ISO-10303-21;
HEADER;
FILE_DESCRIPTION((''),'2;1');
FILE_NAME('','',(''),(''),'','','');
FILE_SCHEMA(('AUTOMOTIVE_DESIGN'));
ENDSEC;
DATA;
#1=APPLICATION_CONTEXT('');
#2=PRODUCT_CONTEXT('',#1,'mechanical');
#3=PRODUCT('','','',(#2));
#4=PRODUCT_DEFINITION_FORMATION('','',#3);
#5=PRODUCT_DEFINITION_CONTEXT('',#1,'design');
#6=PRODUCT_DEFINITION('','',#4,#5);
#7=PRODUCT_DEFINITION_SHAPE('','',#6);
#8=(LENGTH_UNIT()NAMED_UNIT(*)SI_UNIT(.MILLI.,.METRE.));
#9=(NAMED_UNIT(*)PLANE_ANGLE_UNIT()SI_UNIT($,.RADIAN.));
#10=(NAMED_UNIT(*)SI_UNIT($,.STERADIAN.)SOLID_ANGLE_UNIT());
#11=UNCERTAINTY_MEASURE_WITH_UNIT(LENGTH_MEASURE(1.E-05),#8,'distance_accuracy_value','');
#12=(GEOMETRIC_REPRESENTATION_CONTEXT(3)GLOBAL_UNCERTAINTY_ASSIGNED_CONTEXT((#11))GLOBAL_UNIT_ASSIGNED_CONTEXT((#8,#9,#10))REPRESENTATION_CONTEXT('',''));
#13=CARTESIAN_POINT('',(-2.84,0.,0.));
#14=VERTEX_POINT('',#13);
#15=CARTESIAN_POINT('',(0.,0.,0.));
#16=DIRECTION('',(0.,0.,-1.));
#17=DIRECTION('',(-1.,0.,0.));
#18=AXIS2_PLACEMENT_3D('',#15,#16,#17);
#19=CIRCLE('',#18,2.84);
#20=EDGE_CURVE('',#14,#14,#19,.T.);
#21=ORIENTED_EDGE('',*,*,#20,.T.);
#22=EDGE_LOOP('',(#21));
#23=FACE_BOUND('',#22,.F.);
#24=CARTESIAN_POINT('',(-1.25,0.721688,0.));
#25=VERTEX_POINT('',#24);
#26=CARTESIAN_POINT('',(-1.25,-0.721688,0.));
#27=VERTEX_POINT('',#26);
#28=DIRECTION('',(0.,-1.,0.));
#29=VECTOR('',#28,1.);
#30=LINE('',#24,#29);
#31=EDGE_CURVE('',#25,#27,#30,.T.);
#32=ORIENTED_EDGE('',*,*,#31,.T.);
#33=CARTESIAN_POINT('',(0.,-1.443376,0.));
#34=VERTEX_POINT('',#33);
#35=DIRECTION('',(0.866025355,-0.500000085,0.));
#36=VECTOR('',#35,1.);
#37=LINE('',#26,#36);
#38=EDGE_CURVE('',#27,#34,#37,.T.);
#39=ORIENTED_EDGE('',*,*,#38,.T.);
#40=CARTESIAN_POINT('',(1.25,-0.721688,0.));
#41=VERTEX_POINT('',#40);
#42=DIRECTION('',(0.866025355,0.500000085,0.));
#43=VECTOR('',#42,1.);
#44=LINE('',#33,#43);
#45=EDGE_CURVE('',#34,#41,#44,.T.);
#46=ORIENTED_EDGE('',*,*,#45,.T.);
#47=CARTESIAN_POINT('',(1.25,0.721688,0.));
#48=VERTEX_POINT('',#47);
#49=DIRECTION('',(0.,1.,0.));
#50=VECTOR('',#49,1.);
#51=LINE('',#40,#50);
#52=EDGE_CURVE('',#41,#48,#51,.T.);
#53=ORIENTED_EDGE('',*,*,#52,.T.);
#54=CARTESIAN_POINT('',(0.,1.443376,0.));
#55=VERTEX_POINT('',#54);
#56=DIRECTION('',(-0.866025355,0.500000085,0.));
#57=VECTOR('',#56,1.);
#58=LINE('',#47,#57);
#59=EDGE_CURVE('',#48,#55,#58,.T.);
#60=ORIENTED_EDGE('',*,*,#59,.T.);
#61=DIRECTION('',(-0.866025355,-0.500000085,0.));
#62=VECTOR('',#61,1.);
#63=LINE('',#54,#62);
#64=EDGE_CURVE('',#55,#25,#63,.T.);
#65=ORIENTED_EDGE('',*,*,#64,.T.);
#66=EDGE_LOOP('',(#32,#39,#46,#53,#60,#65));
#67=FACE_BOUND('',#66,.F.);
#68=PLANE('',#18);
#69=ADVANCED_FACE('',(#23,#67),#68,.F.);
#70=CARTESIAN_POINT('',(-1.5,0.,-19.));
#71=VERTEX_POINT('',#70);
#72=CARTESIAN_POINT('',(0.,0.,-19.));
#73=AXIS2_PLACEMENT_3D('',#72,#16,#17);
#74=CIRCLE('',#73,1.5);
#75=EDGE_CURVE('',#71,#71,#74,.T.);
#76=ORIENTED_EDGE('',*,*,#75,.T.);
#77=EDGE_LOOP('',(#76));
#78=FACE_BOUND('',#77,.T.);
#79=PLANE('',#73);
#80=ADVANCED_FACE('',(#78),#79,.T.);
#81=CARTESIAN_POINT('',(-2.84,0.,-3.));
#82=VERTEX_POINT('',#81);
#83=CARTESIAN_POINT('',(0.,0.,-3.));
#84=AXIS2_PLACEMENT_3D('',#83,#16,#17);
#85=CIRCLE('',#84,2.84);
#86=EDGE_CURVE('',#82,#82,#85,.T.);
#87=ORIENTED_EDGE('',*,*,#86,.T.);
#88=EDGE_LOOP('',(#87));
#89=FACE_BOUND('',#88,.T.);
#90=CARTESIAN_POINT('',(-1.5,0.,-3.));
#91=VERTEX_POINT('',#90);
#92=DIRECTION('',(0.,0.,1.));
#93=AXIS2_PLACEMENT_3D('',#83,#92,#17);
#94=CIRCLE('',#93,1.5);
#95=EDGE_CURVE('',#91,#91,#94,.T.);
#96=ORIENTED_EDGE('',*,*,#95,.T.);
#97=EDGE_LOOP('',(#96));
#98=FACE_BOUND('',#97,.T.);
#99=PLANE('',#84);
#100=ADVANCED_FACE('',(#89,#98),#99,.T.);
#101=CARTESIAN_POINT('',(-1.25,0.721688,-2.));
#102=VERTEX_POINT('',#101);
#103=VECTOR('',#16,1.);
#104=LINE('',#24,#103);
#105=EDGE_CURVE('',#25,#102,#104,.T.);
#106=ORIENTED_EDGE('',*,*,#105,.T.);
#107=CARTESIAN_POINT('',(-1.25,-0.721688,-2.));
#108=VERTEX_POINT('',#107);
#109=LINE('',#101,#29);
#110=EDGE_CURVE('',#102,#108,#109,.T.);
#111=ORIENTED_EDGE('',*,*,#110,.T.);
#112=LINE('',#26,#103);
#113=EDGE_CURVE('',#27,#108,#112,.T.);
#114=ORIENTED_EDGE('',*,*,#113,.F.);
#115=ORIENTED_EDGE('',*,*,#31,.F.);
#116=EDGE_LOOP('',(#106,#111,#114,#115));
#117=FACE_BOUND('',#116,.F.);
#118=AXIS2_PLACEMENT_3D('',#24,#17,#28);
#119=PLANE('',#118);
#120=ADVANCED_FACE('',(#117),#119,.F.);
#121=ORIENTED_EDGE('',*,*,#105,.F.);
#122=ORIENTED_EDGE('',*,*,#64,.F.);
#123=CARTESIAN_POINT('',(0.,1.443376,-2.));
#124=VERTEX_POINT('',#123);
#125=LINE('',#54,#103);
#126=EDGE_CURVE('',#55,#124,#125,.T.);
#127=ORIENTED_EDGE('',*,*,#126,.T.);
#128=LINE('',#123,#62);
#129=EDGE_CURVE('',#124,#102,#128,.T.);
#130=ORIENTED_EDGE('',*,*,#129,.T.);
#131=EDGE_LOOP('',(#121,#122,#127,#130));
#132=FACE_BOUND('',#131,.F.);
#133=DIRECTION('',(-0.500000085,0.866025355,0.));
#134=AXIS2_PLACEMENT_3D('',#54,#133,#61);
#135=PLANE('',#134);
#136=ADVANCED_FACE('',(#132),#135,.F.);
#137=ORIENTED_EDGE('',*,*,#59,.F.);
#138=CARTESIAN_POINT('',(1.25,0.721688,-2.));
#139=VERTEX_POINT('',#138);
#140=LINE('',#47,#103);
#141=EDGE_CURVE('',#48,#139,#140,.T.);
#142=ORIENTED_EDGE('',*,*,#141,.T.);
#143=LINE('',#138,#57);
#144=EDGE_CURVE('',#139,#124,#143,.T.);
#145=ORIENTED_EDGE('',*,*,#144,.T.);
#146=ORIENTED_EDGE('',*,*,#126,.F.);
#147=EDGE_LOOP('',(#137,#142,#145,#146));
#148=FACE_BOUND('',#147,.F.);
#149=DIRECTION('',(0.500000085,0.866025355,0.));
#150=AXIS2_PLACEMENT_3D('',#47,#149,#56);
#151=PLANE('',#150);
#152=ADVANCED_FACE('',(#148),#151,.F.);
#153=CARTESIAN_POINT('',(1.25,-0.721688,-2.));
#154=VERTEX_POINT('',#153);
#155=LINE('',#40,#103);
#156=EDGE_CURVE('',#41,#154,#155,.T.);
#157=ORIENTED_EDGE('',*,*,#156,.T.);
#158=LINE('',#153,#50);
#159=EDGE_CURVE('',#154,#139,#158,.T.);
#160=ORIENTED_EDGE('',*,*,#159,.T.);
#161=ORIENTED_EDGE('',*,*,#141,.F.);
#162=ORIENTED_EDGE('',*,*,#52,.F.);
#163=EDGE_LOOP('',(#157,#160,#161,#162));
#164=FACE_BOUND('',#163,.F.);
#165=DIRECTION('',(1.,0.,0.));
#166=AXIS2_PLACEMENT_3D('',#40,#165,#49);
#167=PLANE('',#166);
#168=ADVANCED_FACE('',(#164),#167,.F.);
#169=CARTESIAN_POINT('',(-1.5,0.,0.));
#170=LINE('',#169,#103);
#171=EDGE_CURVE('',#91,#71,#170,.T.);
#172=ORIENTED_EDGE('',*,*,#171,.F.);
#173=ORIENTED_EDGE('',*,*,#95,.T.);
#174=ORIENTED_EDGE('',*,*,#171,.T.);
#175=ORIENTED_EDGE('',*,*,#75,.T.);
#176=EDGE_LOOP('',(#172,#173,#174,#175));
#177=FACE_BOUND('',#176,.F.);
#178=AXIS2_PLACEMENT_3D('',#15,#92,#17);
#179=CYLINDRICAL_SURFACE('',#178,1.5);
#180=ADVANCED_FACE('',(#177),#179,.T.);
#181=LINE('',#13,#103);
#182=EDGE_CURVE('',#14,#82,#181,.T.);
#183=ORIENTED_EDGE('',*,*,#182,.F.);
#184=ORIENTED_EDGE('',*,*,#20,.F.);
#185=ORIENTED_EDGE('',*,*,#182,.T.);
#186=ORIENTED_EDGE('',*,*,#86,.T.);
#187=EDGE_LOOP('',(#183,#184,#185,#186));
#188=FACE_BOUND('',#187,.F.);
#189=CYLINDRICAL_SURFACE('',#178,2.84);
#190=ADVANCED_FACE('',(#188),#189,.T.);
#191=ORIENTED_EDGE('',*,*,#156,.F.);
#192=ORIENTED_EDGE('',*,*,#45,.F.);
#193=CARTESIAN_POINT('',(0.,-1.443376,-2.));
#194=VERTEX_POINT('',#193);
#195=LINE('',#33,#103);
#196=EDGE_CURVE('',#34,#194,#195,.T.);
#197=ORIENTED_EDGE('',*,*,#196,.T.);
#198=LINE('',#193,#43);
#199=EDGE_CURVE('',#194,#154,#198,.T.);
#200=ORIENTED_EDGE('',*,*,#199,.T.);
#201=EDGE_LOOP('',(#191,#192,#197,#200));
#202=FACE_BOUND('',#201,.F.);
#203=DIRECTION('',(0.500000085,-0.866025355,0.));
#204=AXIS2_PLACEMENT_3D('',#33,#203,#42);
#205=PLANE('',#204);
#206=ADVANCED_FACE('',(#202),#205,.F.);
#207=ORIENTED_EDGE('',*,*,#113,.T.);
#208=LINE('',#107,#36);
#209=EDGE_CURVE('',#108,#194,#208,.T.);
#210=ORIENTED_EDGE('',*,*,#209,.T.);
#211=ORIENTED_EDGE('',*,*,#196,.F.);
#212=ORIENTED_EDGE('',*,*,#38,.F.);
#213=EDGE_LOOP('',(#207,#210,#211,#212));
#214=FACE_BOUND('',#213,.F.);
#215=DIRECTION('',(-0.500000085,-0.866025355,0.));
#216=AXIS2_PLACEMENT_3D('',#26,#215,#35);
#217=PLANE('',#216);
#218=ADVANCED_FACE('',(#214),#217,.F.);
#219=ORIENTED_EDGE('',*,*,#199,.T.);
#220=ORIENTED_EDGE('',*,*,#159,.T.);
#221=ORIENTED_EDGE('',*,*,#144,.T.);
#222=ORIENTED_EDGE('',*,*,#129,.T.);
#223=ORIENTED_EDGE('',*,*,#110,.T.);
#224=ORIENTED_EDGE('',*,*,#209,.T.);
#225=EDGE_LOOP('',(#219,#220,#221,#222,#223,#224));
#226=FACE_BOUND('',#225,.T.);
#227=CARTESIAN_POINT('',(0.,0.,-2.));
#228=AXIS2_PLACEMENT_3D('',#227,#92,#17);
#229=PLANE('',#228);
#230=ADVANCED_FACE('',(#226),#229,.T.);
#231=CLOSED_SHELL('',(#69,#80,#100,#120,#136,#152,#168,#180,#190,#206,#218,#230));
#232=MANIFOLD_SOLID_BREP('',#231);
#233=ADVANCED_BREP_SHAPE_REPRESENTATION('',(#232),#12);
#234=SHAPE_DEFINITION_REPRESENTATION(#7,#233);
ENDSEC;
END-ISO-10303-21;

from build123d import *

# Parameters (mm, degrees)
CYLINDER026_R                      = 1.5
CYLINDER026_DEPTH                  = 19
CYLINDER025_R                      = 2.84
CYLINDER025_DEPTH                  = 3
FUSION001018017023_PLACEMENT_ANGLE = 180
POCKET002018004005005017_DEPTH     = 2


with BuildPart() as cylinder026:
    # Cylinder026 → Cylinder026 (new body)
    with BuildSketch(Plane.XY):
        Circle(CYLINDER026_R)
    extrude(amount=CYLINDER026_DEPTH)


with BuildPart() as zylinderkopfschraube_m3x16_din912:
    # Cylinder025 → Cylinder025 (new body)
    with BuildSketch(Plane.XY):
        Circle(CYLINDER025_R)
    extrude(amount=CYLINDER025_DEPTH)

    # Fusion001018017023: union Cylinder026
    add(cylinder026.part)


with BuildPart() as zylinderkopfschraube_m3x16_din912_1:
    # Fusion001018017023 placement: moved
    add(zylinderkopfschraube_m3x16_din912.part.rotate(Axis((0, 0, 0), (0, 1, 0)), FUSION001018017023_PLACEMENT_ANGLE))

    # Sketch025 → Pocket002018004005005017 (cut)
    with BuildSketch(Plane(origin=(0, 0, 0), x_dir=(-1, 0, 0), z_dir=(0, 0, 1))):
        Polygon((1.25, -0.721688), (1.25, 0.721688), (0, 1.443376), (-1.25, 0.721688), (-1.25, -0.721688), (0, -1.443376), align=None)
    extrude(amount=-POCKET002018004005005017_DEPTH, mode=Mode.SUBTRACT)


solid = zylinderkopfschraube_m3x16_din912_1.part
